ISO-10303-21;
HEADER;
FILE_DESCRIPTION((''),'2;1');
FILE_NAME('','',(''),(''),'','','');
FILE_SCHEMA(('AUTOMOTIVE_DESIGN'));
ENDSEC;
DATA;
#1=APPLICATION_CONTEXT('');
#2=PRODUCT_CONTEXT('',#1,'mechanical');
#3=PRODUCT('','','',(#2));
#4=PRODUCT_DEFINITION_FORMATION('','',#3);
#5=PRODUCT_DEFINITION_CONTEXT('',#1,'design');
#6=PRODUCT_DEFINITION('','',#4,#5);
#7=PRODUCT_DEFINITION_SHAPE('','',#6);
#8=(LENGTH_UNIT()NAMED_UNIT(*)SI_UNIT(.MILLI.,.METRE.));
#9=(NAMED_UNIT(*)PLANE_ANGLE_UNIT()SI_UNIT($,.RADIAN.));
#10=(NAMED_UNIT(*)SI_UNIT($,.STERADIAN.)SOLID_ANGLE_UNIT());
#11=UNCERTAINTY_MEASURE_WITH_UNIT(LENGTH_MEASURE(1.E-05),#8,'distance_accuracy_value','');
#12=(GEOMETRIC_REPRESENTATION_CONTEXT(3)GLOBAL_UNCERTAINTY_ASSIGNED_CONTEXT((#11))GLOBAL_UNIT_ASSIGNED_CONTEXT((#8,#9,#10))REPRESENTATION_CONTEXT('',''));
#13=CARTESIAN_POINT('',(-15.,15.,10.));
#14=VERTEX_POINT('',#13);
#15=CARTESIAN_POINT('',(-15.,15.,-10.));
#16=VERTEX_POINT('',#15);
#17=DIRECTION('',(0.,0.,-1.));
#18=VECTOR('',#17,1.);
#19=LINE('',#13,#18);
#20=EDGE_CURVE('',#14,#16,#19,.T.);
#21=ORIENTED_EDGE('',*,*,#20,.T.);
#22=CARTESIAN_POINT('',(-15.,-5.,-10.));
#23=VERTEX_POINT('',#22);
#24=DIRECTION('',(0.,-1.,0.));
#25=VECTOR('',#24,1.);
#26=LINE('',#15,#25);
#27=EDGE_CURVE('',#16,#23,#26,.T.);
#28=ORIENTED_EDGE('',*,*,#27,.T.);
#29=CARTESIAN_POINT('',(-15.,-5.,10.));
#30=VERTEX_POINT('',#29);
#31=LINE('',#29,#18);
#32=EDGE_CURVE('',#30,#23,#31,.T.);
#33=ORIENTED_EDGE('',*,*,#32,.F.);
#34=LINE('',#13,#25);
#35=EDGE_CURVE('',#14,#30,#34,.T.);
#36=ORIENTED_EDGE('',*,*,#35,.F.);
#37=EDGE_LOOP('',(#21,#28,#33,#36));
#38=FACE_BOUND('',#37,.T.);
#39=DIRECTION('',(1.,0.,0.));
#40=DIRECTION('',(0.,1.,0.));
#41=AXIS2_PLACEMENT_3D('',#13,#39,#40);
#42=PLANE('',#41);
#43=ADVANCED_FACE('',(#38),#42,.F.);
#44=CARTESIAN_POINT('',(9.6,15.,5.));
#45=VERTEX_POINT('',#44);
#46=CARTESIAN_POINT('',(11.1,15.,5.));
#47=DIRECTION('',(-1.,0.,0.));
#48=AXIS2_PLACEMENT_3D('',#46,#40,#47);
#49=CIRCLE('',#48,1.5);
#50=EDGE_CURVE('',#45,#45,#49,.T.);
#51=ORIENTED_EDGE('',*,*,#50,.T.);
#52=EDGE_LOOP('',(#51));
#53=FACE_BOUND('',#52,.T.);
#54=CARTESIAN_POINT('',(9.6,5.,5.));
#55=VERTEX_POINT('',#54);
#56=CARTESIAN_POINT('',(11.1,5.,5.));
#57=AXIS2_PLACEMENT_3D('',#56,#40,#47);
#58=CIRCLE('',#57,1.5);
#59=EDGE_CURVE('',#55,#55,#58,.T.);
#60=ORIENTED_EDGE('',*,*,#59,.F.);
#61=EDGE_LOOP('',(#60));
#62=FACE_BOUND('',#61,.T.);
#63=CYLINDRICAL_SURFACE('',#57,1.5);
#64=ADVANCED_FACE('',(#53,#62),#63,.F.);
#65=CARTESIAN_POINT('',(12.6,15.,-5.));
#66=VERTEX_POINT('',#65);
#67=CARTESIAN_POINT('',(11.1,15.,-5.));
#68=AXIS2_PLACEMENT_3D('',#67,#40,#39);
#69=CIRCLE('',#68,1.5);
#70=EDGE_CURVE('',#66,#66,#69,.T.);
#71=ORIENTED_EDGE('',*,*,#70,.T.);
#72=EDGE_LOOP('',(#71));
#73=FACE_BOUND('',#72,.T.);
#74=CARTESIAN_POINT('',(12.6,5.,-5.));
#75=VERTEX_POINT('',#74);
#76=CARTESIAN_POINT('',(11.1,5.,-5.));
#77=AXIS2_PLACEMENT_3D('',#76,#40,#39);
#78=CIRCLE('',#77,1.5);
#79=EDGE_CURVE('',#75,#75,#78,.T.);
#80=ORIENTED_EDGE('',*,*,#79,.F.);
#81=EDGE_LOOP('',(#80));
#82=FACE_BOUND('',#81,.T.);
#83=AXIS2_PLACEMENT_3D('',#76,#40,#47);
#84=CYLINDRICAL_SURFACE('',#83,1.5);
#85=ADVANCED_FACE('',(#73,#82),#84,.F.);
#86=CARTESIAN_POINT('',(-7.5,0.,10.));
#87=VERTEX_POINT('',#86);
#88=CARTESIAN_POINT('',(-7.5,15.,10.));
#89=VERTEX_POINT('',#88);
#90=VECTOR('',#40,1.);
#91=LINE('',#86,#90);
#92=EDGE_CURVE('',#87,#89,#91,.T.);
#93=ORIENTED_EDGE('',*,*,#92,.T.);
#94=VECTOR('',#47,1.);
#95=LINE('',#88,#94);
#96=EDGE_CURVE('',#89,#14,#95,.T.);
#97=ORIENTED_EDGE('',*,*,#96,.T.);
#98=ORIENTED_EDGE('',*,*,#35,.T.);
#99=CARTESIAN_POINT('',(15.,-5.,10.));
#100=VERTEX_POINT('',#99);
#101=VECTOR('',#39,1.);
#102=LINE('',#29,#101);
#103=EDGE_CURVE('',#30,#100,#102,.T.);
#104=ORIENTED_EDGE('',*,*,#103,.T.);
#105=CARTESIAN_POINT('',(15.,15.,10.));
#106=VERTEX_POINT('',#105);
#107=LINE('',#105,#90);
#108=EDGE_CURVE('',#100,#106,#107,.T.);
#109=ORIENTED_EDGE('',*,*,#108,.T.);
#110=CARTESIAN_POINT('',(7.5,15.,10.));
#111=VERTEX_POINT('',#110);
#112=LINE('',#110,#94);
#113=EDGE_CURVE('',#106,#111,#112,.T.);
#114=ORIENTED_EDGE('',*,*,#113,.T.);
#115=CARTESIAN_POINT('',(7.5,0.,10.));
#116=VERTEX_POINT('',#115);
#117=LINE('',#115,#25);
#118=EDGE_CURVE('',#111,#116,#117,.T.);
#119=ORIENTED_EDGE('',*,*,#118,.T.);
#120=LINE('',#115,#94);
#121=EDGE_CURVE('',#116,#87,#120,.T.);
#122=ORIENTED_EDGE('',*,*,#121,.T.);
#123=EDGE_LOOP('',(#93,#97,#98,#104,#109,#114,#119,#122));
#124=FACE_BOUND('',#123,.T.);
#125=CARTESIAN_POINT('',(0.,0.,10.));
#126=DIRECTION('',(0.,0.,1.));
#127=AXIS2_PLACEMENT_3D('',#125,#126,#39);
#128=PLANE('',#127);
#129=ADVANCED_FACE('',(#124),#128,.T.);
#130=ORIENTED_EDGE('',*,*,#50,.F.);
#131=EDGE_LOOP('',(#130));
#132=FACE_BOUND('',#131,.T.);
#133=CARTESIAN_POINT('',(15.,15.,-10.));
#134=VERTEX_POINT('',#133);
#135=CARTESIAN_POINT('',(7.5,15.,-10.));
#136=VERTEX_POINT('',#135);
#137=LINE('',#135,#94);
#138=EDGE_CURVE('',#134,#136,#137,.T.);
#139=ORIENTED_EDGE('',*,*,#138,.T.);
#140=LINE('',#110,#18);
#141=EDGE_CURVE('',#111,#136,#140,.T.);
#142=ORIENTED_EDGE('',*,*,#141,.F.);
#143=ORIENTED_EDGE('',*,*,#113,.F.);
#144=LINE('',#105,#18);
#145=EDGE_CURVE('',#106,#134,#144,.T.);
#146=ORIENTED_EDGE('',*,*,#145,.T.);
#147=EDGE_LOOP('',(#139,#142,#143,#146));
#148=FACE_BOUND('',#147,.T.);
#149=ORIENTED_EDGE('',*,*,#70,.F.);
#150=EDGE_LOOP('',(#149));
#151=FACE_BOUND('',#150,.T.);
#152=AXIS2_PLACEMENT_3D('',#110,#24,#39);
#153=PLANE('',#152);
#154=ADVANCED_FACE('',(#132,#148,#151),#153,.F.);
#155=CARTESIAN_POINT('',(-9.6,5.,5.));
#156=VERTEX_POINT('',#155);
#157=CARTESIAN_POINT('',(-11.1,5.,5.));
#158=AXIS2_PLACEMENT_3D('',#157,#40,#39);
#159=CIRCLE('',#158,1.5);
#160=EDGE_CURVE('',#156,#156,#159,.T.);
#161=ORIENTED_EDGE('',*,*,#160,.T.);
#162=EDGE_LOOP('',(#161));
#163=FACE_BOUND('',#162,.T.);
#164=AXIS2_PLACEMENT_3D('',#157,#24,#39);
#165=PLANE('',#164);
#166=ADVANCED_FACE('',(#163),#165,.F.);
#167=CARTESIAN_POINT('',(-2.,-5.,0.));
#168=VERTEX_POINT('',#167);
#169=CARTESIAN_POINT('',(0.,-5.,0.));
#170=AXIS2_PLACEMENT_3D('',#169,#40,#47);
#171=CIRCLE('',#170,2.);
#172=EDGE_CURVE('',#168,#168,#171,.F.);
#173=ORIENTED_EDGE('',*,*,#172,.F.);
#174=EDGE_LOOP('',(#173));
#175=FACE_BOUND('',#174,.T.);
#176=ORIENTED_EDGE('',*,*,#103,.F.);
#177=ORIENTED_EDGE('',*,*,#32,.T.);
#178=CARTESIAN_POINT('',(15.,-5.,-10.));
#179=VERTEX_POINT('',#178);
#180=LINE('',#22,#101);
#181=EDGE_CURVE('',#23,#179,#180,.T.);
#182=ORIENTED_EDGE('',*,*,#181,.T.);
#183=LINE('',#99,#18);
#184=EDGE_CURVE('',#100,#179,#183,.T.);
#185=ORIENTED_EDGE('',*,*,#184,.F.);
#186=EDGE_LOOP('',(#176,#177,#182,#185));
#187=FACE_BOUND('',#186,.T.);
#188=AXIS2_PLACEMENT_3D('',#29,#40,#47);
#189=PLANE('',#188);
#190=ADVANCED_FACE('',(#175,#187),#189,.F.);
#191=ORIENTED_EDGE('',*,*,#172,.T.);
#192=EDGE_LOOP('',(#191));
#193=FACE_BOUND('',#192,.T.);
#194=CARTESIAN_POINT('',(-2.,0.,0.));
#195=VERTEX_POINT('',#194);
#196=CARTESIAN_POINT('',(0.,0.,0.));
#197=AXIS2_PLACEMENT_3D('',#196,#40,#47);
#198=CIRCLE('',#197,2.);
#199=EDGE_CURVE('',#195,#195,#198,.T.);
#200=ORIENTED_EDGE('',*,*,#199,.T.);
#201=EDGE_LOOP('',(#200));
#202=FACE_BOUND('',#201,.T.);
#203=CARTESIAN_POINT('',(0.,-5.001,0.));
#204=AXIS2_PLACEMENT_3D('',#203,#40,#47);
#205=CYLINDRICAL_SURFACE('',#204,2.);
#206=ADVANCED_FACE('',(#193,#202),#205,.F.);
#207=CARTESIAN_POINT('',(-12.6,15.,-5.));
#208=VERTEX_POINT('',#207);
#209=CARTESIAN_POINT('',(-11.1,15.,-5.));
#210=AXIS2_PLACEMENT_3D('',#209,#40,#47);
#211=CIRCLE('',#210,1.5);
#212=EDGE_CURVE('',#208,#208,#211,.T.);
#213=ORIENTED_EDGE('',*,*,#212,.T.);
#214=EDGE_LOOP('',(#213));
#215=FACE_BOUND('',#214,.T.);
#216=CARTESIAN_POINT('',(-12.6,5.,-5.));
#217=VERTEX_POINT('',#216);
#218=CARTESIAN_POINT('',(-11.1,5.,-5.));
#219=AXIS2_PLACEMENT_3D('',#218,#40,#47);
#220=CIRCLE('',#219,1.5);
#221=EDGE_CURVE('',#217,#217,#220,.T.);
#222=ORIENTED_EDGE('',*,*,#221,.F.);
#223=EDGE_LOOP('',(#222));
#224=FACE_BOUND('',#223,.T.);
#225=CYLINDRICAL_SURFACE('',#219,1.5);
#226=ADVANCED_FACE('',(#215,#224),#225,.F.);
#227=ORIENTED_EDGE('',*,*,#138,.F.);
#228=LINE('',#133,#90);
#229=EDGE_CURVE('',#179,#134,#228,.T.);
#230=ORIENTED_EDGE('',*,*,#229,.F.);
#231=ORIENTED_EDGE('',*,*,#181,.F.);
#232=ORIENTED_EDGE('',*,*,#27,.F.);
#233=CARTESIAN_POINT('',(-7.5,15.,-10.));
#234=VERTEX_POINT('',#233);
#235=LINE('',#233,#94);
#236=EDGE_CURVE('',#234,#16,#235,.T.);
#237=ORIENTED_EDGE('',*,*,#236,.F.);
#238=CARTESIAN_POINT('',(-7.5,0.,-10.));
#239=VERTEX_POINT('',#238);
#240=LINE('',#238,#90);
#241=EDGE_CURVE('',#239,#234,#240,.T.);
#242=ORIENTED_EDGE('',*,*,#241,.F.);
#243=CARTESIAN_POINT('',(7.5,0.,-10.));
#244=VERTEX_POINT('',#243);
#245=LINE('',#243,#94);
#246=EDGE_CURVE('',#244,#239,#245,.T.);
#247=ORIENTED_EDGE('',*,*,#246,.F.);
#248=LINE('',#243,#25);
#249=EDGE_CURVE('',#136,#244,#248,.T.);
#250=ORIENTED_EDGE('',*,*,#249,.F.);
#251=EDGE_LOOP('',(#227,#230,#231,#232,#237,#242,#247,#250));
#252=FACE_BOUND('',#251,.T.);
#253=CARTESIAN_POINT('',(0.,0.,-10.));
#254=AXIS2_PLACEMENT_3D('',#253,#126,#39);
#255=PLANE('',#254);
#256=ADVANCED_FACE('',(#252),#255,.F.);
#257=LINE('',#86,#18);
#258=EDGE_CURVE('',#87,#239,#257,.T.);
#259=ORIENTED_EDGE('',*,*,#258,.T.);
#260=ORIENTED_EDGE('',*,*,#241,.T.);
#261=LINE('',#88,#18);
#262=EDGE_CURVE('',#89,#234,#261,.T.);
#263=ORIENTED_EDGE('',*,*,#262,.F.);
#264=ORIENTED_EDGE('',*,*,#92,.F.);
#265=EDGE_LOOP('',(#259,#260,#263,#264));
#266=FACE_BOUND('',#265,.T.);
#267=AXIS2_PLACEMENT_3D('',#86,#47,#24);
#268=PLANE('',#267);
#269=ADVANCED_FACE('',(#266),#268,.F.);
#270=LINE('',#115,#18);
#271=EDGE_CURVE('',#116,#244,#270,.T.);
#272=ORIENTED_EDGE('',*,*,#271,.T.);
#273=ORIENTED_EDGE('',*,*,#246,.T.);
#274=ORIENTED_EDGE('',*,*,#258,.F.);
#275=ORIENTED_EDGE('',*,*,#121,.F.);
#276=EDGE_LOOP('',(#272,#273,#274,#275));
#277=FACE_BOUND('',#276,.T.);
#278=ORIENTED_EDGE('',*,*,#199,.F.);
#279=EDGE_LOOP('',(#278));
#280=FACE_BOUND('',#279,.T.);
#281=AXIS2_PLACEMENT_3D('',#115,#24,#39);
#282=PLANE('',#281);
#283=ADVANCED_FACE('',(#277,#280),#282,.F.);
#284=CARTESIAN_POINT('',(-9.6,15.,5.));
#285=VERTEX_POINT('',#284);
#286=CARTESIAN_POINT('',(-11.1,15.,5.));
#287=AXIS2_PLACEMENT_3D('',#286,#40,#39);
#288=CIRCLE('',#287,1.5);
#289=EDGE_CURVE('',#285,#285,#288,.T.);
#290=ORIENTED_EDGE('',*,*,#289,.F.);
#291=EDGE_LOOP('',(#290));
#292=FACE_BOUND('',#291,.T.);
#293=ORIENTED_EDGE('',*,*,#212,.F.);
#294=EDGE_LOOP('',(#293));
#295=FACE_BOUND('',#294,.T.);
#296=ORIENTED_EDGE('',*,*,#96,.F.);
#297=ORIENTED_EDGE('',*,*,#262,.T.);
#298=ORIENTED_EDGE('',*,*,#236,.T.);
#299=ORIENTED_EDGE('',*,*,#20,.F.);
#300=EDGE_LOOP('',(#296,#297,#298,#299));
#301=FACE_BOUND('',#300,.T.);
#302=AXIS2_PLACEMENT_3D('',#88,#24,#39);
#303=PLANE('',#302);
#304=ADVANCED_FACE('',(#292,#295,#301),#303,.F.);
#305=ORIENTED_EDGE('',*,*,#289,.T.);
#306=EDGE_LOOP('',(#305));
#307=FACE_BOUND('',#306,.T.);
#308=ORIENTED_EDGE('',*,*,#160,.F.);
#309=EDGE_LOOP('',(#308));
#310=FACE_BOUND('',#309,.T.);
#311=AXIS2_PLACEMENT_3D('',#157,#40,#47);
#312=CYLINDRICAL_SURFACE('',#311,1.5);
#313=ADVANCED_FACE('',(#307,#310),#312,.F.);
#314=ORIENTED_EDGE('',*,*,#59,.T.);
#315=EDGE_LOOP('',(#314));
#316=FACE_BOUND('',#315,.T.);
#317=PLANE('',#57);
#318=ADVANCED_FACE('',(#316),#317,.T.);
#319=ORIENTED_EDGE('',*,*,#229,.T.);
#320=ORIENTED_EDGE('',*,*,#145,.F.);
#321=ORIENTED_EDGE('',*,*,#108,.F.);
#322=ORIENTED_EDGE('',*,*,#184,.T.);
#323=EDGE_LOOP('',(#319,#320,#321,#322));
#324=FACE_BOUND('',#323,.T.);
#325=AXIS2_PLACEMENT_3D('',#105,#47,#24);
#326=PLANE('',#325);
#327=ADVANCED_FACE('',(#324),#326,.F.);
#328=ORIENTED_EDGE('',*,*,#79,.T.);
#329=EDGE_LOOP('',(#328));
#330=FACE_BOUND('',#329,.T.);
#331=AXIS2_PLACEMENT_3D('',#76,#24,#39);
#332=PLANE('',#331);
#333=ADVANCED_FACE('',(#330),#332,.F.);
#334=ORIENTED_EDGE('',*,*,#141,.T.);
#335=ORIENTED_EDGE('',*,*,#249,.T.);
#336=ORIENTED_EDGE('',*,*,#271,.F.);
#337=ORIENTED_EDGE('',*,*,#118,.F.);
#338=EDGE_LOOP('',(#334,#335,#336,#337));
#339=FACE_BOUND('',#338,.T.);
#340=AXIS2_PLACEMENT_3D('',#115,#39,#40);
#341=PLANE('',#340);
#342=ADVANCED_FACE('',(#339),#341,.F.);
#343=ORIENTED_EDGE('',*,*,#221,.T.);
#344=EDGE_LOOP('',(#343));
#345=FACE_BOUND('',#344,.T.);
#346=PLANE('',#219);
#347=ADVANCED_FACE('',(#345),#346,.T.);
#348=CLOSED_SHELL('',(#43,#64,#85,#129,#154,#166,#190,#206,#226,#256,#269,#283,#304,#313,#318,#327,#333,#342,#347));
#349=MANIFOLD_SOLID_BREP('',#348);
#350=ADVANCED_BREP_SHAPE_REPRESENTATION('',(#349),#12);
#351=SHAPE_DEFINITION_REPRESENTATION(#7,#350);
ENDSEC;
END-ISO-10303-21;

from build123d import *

# Parameters (mm, degrees)
EXTRUDE_1_DEPTH     = 10
SKETCH_2_R          = 1.5
CUT_EXTRUDE_1_DEPTH = 10
CUT_EXTRUDE_2_REACH = 25.452
SKETCH_3_R          = 2


with BuildPart() as part:
    # 草图1 → 凸台-拉伸1 (new, symmetric)
    with BuildSketch(Plane.XY):
        Polygon((7.5, 0), (-7.5, 0), (-7.5, 15), (-15, 15), (-15, -5), (15, -5), (15, 15), (7.5, 15), align=None)
    extrude(amount=EXTRUDE_1_DEPTH, both=True)

    # 草图2 → 切除-拉伸1 (cut)
    with BuildSketch(Plane(origin=(0, 15, 0), x_dir=(1, 0, 0), z_dir=(0, 1, 0))):
        with Locations(Location((-11.1, 5, 0), (0, 0, 180))):
            Circle(SKETCH_2_R)
        with Locations(Location((11.1, -5, 0), (0, 0, 180))):
            Circle(SKETCH_2_R)
        with Locations((11.1, 5)):
            Circle(SKETCH_2_R)
        with Locations((-11.1, -5)):
            Circle(SKETCH_2_R)
    extrude(amount=-CUT_EXTRUDE_1_DEPTH, mode=Mode.SUBTRACT)

    # 草图3 → 切除-拉伸2 (cut, up to next)
    with BuildSketch(Plane(origin=(0, 0, 0), x_dir=(1, 0, 0), z_dir=(0, 1, 0)), mode=Mode.PRIVATE) as cut_extrude_2_sk1:
        with Locations(Location((0, 0, 0), (0, 0, 180))):
            Circle(SKETCH_3_R)
    cut_extrude_2_tool1 = extrude(cut_extrude_2_sk1.sketch, amount=-CUT_EXTRUDE_2_REACH, mode=Mode.PRIVATE) & part.part
    add(cut_extrude_2_tool1.solids().sort_by_distance((0, 0, 0))[0], mode=Mode.SUBTRACT)


solid = part.part
